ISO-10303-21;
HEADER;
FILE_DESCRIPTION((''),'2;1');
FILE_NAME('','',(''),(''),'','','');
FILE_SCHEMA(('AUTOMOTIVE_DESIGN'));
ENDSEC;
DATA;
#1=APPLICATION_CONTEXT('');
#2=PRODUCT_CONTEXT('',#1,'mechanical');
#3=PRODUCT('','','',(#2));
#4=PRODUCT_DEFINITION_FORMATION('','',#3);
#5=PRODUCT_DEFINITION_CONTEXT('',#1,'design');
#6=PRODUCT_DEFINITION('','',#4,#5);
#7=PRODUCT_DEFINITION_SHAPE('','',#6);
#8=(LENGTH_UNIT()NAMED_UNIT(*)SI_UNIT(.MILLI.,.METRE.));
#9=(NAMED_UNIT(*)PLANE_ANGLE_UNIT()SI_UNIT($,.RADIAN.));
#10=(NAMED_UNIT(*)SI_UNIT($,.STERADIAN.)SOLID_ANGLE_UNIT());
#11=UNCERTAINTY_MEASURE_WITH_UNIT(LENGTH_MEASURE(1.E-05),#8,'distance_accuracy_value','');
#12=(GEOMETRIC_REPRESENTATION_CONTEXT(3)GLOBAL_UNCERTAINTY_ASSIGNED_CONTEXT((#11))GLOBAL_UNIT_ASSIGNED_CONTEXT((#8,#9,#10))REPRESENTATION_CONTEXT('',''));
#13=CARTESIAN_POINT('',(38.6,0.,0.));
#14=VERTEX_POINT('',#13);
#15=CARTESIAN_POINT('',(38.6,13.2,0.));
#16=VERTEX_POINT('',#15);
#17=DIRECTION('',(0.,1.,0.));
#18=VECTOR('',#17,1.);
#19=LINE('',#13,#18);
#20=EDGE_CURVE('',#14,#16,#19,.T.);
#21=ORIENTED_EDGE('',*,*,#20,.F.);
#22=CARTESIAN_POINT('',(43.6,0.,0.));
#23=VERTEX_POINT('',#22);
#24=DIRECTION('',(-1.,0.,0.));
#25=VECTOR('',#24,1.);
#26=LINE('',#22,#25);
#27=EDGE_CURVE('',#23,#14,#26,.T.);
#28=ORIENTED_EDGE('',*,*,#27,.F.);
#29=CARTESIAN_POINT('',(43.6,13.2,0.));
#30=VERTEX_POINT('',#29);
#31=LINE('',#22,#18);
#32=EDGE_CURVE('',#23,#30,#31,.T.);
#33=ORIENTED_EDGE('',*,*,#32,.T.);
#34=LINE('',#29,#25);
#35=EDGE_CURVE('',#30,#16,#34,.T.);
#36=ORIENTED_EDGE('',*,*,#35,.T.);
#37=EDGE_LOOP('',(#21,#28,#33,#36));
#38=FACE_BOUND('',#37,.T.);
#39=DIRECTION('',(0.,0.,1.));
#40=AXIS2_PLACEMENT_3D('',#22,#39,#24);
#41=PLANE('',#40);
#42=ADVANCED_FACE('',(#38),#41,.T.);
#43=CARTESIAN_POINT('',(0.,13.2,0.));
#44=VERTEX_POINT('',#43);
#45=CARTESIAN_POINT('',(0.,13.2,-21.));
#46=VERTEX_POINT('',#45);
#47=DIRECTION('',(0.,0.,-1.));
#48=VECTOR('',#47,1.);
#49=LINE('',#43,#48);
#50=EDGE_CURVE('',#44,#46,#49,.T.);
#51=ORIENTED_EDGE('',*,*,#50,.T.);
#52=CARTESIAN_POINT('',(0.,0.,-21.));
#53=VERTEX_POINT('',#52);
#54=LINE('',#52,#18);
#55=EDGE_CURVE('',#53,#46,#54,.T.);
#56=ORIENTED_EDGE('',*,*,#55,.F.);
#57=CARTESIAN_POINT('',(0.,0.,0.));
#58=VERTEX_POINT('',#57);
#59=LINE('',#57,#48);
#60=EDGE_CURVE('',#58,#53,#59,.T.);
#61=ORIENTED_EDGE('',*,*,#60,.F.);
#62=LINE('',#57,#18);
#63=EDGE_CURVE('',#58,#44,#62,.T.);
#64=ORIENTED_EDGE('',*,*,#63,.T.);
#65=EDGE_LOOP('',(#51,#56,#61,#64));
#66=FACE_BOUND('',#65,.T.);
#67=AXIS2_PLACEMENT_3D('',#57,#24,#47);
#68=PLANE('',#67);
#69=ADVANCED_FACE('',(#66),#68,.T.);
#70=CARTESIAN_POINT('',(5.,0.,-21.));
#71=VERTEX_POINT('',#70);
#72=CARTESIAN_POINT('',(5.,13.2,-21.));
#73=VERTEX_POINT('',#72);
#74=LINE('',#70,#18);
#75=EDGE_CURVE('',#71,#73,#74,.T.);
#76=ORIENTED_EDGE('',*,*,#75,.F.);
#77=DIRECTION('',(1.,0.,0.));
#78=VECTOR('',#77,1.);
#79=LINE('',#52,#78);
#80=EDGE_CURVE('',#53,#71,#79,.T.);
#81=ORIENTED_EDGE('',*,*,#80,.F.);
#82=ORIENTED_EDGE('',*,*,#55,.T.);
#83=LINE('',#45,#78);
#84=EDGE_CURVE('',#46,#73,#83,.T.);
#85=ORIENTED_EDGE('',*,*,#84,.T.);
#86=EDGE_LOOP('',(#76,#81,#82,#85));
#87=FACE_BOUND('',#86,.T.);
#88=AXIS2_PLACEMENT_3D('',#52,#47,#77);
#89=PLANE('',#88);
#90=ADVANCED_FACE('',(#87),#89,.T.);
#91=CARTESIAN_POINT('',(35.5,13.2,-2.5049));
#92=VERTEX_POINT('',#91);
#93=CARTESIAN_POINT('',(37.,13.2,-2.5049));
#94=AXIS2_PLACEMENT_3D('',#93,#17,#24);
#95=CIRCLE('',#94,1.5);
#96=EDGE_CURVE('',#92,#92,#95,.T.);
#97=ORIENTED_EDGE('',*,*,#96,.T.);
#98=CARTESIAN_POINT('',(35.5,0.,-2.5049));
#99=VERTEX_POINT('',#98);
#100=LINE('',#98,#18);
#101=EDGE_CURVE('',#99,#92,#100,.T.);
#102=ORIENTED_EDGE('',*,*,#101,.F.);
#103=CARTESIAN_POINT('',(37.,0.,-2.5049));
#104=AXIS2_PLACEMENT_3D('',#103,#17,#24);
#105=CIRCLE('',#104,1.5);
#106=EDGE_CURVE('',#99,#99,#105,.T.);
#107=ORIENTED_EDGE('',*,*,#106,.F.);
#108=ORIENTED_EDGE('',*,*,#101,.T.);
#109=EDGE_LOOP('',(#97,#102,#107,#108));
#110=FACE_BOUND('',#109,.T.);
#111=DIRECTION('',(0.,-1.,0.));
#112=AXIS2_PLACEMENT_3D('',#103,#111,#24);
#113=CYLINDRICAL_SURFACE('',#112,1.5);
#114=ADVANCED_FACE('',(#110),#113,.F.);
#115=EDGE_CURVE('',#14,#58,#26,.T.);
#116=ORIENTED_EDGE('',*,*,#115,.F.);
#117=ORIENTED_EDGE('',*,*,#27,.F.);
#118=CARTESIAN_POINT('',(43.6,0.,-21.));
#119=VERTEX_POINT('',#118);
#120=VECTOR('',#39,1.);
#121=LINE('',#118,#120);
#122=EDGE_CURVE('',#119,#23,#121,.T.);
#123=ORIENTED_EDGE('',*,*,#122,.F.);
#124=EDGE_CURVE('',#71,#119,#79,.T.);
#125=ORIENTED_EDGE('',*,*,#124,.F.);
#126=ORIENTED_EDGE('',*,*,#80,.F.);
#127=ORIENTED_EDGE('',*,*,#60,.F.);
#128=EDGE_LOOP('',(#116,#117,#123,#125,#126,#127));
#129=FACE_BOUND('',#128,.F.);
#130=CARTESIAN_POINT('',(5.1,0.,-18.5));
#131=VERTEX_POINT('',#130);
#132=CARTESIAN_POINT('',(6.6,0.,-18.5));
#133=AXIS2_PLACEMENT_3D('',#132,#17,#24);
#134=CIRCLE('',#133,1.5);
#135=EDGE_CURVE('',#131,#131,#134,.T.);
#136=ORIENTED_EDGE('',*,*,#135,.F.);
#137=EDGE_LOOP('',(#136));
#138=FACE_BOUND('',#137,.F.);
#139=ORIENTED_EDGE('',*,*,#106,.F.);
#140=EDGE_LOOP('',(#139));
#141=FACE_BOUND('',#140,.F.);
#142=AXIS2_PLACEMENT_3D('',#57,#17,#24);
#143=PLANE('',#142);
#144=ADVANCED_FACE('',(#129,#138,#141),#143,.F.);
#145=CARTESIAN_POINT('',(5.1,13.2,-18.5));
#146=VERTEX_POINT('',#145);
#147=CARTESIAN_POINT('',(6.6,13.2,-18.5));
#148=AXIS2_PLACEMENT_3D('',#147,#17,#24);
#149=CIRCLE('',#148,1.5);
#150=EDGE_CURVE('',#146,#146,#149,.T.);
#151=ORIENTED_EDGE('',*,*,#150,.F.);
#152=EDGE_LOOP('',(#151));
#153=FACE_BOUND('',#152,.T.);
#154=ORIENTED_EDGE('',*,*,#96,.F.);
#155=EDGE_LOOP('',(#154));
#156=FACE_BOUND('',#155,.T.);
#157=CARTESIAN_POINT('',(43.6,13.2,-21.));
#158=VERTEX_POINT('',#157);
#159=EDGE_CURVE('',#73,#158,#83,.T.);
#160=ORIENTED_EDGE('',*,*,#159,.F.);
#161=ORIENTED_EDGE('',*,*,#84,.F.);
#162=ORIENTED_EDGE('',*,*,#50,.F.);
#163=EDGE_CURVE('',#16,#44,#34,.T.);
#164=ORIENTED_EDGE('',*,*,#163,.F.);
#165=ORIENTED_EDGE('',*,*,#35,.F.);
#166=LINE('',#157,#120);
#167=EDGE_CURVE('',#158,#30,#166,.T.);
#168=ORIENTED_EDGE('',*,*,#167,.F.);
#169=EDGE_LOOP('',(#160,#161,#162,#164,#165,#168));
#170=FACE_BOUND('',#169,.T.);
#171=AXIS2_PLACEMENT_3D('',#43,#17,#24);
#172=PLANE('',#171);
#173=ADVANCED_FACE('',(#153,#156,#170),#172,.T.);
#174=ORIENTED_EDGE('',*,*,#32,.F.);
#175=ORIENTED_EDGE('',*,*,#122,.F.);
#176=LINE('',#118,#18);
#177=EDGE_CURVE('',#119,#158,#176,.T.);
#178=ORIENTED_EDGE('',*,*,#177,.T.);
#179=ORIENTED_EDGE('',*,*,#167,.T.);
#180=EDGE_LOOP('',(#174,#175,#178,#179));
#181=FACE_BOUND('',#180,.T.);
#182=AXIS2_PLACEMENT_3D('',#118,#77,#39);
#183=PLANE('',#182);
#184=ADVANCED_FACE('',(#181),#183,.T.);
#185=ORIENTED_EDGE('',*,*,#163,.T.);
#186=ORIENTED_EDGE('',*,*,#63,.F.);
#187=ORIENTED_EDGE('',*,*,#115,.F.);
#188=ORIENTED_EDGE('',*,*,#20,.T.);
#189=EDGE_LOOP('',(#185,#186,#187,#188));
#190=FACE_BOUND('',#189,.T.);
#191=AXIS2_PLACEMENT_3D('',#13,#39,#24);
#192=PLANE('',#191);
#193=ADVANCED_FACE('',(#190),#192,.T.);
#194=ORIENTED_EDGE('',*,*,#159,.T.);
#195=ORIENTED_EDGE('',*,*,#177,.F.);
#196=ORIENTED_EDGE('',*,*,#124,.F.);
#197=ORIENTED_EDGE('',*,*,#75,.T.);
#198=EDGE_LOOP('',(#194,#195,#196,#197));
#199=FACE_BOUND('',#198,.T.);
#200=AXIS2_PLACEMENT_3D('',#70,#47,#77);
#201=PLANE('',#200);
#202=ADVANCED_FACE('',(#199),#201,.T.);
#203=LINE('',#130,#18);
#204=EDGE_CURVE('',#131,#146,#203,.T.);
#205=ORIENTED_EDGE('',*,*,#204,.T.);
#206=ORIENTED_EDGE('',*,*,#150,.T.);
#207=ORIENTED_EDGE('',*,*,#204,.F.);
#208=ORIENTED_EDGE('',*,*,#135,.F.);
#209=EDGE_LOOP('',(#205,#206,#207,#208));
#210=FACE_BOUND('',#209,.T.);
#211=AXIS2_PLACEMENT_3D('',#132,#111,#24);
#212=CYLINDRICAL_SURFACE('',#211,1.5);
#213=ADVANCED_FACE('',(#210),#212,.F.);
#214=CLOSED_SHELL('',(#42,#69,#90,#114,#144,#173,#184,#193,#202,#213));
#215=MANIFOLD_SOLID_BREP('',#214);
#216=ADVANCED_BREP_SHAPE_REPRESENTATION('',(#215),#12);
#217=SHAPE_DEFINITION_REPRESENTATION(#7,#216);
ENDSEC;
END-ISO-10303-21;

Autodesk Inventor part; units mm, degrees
ref_plane "YZ Plane" through (0, 0, 0) normal (1, 0, 0) x (0, 1, 0)
ref_plane "XZ Plane" through (0, 0, 0) normal (0, 1, 0) x (-1, 0, 0)
ref_plane "XY Plane" through (0, 0, 0) normal (0, 0, 1) x (1, 0, 0)
sketch "Sketch1" plane through (0, 0, 0) normal (0, 1, 0) x (-1, 0, 0)
  line L0 (0, 0) -> (0, -21)
  line L1 (0, -21) -> (-43.6, -21)
  line L2 (-43.6, -21) -> (-43.6, 0)
  line L3 (-43.6, 0) -> (0, 0)
  line L4 (-43.6, 0) -> (-38.6, 0)
  circle A0 centre (-37, -2.5049) radius 1.5
  line L5 (0, -21) -> (-5, -21)
  circle A1 centre (-6.6, -18.5) radius 1.5
  dimension "d0" = 21
  dimension "d1" = 43.6
  dimension "d5" = 3
  dimension "d9" = 3
extrude "Extrusion1" add sketch "Sketch1" along normal blind 13.2
properties part number "boost_converter"
